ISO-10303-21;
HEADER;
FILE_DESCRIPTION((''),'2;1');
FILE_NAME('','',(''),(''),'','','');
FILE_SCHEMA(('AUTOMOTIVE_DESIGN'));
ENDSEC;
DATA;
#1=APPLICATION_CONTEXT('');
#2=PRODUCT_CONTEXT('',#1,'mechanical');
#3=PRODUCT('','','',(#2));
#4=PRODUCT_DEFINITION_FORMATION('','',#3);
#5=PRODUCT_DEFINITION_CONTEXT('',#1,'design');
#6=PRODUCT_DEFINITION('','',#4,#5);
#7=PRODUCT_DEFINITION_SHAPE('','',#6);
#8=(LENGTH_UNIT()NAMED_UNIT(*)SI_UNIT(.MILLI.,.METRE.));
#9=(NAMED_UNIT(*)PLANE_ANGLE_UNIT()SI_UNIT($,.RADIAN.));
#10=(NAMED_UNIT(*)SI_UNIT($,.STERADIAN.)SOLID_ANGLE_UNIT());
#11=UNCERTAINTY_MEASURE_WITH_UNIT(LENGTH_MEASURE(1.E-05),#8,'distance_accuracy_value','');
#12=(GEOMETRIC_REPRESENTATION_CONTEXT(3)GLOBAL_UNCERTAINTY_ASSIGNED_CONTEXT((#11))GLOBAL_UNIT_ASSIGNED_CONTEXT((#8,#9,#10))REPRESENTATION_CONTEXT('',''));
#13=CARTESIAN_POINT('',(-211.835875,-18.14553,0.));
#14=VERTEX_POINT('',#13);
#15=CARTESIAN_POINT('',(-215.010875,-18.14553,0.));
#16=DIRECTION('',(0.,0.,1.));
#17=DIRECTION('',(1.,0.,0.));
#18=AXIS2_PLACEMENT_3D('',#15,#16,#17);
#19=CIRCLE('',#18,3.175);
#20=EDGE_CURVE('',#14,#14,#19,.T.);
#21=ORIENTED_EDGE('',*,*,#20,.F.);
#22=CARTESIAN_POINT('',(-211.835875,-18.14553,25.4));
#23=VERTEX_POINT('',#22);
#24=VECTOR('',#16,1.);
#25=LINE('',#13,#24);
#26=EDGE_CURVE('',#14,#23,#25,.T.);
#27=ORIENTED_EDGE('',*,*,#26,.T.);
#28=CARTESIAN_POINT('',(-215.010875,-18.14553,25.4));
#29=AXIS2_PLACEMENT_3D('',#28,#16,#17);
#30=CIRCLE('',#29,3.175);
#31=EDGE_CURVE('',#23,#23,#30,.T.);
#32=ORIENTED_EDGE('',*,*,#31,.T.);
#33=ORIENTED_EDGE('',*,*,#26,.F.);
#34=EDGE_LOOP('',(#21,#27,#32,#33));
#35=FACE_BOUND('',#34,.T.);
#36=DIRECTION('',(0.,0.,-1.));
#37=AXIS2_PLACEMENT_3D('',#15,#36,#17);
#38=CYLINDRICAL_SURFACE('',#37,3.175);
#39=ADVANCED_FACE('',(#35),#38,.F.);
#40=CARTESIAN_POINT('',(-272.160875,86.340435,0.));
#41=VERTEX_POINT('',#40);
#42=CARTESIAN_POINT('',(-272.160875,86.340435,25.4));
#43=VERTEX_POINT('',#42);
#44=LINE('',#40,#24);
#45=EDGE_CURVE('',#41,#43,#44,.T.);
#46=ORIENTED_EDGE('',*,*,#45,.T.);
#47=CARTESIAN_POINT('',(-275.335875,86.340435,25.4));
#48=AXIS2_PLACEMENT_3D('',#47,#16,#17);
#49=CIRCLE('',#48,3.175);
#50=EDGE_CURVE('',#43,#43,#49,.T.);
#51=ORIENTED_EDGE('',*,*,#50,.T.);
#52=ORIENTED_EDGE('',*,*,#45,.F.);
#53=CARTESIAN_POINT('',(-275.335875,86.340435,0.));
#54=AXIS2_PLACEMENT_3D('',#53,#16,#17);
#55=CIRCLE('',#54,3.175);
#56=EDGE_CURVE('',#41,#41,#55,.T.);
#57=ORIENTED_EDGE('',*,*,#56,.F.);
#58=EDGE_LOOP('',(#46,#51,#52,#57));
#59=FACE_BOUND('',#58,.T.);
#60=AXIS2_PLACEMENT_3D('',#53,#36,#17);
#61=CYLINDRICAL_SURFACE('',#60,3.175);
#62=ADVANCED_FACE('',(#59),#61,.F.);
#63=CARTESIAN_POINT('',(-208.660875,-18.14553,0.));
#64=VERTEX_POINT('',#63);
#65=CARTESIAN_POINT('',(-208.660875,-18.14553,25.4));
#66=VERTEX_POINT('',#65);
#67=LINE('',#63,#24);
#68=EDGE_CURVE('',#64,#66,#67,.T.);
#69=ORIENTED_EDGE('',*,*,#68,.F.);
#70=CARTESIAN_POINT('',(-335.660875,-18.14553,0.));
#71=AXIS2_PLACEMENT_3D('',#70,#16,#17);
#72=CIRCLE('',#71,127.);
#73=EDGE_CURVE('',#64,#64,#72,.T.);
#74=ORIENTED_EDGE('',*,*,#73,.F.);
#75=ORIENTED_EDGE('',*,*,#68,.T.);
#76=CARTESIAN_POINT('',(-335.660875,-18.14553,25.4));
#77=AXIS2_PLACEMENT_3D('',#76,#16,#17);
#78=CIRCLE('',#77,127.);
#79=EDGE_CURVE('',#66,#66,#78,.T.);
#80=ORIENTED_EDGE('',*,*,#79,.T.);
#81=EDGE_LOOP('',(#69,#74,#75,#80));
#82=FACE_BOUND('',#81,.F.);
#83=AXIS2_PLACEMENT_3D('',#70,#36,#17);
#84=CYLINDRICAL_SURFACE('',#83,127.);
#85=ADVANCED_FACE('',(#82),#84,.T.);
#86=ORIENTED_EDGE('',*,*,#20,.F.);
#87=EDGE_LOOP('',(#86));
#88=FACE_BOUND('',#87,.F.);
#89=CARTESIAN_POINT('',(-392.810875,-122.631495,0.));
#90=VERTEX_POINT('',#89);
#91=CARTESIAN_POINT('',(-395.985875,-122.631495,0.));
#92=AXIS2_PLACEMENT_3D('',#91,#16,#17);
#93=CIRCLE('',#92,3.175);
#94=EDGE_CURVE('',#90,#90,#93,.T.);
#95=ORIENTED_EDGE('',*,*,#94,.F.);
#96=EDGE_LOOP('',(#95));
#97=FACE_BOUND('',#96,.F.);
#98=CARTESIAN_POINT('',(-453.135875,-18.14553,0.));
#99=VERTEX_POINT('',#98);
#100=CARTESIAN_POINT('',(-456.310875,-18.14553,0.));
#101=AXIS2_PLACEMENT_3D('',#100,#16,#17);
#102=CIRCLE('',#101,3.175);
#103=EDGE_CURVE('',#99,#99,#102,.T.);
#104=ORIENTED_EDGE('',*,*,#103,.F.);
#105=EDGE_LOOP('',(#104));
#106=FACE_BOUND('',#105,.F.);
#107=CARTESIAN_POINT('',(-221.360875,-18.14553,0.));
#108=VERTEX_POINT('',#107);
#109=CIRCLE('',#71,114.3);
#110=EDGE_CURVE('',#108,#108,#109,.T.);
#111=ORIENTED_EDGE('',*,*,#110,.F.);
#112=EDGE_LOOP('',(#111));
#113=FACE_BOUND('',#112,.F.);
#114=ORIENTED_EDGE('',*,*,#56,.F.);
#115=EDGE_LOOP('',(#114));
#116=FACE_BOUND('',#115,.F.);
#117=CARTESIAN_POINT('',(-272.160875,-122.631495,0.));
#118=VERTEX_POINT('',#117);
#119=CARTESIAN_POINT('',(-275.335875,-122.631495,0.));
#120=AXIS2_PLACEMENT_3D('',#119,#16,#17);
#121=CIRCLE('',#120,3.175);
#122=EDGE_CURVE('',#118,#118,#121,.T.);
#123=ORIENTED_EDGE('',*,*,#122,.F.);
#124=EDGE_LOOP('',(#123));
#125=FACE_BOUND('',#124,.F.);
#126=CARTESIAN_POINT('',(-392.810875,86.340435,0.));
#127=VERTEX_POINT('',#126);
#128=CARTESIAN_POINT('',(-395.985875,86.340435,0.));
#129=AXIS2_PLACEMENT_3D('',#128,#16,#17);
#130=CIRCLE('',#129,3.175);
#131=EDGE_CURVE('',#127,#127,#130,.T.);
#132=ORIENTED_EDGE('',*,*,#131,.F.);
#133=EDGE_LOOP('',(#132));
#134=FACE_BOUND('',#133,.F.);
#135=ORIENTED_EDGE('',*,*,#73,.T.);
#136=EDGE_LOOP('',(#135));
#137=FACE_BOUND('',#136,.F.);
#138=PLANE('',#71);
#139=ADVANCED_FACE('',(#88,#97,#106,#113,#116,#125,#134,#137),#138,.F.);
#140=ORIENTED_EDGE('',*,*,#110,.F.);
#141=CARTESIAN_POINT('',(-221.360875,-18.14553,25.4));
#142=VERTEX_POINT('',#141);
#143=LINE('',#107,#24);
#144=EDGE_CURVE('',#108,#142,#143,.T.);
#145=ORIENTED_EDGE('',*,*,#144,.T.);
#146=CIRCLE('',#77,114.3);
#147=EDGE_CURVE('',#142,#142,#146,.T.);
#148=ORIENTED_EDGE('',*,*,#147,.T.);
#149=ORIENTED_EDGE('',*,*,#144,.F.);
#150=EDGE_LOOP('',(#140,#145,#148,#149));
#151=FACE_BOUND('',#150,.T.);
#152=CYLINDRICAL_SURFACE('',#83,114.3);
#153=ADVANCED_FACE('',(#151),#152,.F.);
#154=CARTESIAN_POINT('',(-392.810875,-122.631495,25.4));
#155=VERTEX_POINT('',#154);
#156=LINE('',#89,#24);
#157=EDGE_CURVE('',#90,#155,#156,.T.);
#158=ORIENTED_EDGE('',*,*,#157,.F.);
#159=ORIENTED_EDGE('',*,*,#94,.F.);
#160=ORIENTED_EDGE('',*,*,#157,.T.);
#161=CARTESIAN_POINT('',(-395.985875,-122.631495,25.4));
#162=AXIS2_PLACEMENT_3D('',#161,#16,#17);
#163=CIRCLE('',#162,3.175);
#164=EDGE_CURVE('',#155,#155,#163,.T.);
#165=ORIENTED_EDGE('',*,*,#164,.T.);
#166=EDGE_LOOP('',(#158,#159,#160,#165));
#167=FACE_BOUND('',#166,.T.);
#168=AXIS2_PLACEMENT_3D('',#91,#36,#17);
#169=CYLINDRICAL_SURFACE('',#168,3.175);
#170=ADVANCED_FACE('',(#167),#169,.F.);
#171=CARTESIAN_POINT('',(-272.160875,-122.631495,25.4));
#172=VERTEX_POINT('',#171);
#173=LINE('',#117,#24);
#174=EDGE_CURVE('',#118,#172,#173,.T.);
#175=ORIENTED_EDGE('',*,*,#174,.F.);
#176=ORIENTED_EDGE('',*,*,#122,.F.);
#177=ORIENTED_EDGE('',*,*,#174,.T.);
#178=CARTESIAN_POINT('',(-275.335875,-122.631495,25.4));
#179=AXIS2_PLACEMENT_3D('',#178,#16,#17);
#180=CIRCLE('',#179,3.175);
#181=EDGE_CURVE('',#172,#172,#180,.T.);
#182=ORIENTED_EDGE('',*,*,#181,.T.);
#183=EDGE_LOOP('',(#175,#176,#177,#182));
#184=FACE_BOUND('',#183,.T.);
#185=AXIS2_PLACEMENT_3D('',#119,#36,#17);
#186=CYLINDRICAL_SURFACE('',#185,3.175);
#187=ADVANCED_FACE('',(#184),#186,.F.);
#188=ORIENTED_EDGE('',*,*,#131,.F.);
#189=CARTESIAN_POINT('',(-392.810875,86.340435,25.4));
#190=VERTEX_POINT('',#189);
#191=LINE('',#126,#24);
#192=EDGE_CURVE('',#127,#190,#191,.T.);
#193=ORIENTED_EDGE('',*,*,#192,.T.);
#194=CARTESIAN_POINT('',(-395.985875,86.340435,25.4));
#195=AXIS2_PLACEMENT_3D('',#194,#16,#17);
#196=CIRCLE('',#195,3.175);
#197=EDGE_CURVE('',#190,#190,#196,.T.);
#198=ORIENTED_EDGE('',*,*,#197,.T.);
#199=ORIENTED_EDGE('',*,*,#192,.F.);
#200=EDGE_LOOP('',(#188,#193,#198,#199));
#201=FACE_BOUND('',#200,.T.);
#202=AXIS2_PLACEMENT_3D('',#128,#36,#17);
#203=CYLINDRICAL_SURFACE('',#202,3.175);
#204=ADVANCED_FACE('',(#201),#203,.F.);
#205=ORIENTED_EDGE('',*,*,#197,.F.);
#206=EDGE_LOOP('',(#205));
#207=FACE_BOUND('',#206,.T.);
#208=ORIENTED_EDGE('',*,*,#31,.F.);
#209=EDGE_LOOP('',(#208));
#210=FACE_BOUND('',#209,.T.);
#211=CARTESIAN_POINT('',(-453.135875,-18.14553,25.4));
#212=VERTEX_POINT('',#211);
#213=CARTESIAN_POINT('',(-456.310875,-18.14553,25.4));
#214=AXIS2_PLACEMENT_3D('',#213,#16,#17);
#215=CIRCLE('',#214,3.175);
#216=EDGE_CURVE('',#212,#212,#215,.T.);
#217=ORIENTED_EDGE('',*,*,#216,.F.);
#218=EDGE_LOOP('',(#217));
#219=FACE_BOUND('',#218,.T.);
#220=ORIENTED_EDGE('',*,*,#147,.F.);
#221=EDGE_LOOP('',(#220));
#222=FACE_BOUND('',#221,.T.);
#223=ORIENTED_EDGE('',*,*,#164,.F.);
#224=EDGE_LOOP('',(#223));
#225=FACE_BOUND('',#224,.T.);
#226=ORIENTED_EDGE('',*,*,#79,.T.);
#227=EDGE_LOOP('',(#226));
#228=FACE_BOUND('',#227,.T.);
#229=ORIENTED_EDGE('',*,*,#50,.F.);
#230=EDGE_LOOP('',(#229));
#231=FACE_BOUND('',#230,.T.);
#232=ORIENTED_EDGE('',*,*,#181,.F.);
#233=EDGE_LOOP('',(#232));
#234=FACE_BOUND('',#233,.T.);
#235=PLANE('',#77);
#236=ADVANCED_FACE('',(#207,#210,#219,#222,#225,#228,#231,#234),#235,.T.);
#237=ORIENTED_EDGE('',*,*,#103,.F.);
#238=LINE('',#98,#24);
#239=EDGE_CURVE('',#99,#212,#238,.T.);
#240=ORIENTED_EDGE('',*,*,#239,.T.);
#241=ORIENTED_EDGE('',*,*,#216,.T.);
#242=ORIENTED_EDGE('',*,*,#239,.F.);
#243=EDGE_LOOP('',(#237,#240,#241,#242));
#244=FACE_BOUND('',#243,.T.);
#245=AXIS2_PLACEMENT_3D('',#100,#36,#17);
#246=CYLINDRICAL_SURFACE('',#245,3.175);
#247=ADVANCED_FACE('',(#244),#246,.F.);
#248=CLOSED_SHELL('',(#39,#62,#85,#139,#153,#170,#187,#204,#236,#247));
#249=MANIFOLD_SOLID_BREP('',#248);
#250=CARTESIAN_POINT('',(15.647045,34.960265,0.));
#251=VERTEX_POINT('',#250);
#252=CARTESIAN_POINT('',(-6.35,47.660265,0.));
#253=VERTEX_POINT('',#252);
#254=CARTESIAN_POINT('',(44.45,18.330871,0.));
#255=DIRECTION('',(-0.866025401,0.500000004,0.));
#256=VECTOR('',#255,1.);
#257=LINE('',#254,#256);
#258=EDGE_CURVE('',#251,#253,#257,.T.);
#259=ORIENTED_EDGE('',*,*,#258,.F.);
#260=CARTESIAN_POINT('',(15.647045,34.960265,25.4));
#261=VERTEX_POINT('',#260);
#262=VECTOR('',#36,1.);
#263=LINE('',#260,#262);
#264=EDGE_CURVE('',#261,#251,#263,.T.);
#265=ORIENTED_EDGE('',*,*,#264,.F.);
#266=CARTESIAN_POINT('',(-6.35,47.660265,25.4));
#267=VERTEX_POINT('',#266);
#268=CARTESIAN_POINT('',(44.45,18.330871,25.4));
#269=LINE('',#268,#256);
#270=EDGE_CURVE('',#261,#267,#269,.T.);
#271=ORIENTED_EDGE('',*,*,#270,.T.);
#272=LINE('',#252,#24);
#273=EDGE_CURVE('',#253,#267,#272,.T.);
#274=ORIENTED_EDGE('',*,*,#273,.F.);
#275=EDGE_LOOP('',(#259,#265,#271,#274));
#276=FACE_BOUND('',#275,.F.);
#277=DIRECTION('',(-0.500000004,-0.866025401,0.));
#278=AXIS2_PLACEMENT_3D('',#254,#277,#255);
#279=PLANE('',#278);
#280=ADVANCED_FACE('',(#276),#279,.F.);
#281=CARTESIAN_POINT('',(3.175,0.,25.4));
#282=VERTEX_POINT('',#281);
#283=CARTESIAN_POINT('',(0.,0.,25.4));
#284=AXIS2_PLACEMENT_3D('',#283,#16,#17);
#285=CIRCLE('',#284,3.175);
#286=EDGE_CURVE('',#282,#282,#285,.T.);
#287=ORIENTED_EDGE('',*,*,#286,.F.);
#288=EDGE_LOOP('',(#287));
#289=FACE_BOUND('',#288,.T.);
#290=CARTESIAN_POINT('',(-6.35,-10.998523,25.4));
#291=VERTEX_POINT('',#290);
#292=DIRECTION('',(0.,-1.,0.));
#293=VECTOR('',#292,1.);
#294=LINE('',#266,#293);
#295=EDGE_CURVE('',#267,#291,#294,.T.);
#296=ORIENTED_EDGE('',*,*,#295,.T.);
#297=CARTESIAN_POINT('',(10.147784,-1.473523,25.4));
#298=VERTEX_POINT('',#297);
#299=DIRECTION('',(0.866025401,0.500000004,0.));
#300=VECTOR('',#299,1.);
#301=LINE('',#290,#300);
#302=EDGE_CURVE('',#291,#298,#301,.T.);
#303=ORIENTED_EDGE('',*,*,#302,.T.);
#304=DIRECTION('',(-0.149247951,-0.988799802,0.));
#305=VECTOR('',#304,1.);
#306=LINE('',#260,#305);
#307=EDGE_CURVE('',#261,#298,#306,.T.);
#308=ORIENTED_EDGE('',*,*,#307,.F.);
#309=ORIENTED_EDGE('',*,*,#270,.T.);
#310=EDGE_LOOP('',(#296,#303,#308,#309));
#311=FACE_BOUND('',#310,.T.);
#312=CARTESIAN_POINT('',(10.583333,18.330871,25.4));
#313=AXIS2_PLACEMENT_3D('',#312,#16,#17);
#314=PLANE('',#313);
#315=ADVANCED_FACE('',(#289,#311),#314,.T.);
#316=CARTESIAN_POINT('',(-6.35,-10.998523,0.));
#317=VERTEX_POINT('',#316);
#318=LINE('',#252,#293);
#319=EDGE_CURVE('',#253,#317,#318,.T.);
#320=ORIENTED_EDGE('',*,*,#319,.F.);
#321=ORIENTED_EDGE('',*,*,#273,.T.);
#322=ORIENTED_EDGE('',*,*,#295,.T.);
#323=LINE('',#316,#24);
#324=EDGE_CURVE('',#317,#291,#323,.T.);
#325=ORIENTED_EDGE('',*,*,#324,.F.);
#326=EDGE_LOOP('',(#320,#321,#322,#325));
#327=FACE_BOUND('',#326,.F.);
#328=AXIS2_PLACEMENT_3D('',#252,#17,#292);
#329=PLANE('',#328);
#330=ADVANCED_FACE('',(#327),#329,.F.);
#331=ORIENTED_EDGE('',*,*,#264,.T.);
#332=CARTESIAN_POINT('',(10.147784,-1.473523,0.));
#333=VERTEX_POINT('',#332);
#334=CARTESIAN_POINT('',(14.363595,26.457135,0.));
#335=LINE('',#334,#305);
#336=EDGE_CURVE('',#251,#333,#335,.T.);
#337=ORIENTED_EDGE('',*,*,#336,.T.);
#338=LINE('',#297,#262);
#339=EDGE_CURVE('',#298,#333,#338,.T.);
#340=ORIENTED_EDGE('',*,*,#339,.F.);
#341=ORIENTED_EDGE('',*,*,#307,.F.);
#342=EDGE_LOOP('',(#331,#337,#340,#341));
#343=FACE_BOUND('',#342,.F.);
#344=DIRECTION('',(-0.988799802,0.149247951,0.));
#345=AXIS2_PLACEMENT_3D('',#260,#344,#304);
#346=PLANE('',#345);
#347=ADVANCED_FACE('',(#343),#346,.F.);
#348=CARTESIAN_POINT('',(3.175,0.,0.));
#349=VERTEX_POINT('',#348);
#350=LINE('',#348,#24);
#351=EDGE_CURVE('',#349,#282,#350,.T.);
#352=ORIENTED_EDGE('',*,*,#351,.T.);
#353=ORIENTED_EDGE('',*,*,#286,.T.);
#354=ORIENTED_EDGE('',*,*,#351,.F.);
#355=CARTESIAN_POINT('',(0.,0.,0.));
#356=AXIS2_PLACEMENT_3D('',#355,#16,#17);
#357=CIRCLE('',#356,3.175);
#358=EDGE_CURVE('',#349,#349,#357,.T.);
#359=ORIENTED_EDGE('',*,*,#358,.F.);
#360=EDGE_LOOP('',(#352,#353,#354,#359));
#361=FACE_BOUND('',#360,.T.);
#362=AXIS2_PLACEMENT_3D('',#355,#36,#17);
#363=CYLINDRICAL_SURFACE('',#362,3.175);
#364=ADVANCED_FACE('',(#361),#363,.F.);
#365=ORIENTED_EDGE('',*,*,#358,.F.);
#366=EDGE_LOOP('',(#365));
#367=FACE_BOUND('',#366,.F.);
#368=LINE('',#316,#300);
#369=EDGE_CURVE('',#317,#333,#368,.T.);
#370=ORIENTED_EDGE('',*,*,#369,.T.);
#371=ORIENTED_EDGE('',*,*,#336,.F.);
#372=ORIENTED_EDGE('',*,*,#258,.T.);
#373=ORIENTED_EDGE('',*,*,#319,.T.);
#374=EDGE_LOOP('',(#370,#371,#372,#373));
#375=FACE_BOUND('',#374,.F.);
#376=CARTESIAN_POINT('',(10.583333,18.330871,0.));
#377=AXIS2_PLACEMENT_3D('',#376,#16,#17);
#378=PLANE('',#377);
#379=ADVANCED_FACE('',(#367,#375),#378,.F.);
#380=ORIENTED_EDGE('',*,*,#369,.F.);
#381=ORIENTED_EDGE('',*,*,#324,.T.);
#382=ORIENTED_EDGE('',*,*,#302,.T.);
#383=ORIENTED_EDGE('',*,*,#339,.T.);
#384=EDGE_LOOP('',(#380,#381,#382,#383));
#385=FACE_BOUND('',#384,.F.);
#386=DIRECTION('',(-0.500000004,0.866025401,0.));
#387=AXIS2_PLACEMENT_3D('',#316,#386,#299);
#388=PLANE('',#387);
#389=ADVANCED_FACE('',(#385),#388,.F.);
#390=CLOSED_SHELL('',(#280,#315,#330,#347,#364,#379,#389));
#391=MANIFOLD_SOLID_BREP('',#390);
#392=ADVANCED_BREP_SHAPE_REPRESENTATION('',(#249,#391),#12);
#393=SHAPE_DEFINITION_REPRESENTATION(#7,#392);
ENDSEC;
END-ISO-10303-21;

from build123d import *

# Parameters (mm, degrees)
F0_R     = 3.175
F1_DEPTH = 25.4
F3_DEPTH = 25.401
F4_R     = 127
F4_R_2   = 3.175
F4_R_3   = 114.3
F5_DEPTH = 25.4


with BuildPart() as f1:
    # F0 (on Top) → F1 (new body)
    with BuildSketch(Plane.XY):
        Polygon((-6.35, -10.998523), (44.45, 18.330871), (-6.35, 47.660265), align=None)
        Circle(F0_R, mode=Mode.SUBTRACT)
    extrude(amount=F1_DEPTH)

    # F2 (on face) → F3 (cut, through all)
    with BuildSketch(Plane.XY.offset(25.4)):
        Polygon((15.647045, 34.960265), (10.147784, -1.473523), (44.45, 18.330871), align=None)
    extrude(amount=-F3_DEPTH, mode=Mode.SUBTRACT)


with BuildPart() as f5:
    # F4 (on Top) → F5 (new body)
    with BuildSketch(Plane.XY):
        with Locations((-335.660875, -18.14553)):
            Circle(F4_R)
        with Locations((-395.985875, -122.631495)):
            Circle(F4_R_2, mode=Mode.SUBTRACT)
        with Locations((-275.335875, -122.631495)):
            Circle(F4_R_2, mode=Mode.SUBTRACT)
        with Locations((-456.310875, -18.14553)):
            Circle(F4_R_2, mode=Mode.SUBTRACT)
        with Locations((-395.985875, 86.340435)):
            Circle(F4_R_2, mode=Mode.SUBTRACT)
        with Locations((-335.660875, -18.14553)):
            Circle(F4_R_3, mode=Mode.SUBTRACT)
        with Locations((-215.010875, -18.14553)):
            Circle(F4_R_2, mode=Mode.SUBTRACT)
        with Locations((-275.335875, 86.340435)):
            Circle(F4_R_2, mode=Mode.SUBTRACT)
    extrude(amount=F5_DEPTH)


solid = Compound([f1.part, f5.part])
